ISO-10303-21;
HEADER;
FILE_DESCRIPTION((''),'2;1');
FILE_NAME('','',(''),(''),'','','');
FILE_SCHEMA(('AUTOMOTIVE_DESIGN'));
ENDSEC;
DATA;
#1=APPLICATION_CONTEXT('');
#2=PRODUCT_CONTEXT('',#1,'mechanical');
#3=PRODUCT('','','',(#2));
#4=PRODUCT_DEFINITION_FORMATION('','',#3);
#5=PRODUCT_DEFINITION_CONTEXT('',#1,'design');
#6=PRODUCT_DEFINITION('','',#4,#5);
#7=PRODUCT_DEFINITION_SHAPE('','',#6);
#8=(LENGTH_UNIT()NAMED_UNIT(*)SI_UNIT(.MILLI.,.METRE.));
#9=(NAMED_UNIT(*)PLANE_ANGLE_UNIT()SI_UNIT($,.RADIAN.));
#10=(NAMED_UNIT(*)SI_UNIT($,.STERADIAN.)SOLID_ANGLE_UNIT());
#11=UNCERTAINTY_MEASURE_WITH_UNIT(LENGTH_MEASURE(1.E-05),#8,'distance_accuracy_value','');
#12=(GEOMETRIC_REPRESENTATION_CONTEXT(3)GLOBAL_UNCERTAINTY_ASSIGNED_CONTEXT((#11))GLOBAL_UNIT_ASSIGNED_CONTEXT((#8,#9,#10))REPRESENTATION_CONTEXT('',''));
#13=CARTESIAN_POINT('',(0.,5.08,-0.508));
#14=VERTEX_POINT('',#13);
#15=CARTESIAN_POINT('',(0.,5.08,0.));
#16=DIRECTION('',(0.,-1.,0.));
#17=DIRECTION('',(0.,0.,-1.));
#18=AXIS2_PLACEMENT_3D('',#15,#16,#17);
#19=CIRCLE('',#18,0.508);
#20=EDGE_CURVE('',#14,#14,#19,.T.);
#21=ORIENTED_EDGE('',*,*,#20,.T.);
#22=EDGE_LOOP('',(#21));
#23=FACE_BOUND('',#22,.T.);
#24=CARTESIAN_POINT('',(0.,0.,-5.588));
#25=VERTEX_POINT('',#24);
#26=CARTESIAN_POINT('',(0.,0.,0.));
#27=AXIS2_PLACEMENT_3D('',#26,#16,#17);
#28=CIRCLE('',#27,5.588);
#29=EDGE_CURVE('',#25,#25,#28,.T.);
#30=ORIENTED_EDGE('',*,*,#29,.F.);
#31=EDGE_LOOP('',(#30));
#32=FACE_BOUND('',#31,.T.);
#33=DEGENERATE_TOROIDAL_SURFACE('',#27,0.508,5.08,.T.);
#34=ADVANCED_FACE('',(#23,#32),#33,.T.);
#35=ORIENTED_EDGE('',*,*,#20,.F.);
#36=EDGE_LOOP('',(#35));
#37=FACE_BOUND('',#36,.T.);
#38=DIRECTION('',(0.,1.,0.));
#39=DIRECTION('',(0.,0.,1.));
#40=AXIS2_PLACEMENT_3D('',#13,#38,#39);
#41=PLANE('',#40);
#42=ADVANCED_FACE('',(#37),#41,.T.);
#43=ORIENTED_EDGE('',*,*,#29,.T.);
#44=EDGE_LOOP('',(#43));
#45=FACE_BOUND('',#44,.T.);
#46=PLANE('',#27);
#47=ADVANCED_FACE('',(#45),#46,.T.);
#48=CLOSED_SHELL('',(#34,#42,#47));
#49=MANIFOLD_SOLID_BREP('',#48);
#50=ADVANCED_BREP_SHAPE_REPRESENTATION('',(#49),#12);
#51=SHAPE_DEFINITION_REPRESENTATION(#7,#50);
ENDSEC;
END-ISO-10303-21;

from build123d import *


with BuildPart() as part:
    # Sketch1 → Revolve1 (revolve)
    with BuildSketch(Plane(origin=(0, 0, 0), x_dir=(0, 0, -1), z_dir=(1, 0, 0))):
        with BuildLine():
            Line((0, 0), (5.588, 0))
            ThreePointArc((5.588, 0), (4.100102448, 3.592102448), (0.508, 5.08))
            Line((0.508, 5.08), (0, 5.08))
            Line((0, 5.08), (0, 0))
        make_face()
    revolve(axis=Axis((0, 0, 0), (0, 1, 0)))


solid = part.part
